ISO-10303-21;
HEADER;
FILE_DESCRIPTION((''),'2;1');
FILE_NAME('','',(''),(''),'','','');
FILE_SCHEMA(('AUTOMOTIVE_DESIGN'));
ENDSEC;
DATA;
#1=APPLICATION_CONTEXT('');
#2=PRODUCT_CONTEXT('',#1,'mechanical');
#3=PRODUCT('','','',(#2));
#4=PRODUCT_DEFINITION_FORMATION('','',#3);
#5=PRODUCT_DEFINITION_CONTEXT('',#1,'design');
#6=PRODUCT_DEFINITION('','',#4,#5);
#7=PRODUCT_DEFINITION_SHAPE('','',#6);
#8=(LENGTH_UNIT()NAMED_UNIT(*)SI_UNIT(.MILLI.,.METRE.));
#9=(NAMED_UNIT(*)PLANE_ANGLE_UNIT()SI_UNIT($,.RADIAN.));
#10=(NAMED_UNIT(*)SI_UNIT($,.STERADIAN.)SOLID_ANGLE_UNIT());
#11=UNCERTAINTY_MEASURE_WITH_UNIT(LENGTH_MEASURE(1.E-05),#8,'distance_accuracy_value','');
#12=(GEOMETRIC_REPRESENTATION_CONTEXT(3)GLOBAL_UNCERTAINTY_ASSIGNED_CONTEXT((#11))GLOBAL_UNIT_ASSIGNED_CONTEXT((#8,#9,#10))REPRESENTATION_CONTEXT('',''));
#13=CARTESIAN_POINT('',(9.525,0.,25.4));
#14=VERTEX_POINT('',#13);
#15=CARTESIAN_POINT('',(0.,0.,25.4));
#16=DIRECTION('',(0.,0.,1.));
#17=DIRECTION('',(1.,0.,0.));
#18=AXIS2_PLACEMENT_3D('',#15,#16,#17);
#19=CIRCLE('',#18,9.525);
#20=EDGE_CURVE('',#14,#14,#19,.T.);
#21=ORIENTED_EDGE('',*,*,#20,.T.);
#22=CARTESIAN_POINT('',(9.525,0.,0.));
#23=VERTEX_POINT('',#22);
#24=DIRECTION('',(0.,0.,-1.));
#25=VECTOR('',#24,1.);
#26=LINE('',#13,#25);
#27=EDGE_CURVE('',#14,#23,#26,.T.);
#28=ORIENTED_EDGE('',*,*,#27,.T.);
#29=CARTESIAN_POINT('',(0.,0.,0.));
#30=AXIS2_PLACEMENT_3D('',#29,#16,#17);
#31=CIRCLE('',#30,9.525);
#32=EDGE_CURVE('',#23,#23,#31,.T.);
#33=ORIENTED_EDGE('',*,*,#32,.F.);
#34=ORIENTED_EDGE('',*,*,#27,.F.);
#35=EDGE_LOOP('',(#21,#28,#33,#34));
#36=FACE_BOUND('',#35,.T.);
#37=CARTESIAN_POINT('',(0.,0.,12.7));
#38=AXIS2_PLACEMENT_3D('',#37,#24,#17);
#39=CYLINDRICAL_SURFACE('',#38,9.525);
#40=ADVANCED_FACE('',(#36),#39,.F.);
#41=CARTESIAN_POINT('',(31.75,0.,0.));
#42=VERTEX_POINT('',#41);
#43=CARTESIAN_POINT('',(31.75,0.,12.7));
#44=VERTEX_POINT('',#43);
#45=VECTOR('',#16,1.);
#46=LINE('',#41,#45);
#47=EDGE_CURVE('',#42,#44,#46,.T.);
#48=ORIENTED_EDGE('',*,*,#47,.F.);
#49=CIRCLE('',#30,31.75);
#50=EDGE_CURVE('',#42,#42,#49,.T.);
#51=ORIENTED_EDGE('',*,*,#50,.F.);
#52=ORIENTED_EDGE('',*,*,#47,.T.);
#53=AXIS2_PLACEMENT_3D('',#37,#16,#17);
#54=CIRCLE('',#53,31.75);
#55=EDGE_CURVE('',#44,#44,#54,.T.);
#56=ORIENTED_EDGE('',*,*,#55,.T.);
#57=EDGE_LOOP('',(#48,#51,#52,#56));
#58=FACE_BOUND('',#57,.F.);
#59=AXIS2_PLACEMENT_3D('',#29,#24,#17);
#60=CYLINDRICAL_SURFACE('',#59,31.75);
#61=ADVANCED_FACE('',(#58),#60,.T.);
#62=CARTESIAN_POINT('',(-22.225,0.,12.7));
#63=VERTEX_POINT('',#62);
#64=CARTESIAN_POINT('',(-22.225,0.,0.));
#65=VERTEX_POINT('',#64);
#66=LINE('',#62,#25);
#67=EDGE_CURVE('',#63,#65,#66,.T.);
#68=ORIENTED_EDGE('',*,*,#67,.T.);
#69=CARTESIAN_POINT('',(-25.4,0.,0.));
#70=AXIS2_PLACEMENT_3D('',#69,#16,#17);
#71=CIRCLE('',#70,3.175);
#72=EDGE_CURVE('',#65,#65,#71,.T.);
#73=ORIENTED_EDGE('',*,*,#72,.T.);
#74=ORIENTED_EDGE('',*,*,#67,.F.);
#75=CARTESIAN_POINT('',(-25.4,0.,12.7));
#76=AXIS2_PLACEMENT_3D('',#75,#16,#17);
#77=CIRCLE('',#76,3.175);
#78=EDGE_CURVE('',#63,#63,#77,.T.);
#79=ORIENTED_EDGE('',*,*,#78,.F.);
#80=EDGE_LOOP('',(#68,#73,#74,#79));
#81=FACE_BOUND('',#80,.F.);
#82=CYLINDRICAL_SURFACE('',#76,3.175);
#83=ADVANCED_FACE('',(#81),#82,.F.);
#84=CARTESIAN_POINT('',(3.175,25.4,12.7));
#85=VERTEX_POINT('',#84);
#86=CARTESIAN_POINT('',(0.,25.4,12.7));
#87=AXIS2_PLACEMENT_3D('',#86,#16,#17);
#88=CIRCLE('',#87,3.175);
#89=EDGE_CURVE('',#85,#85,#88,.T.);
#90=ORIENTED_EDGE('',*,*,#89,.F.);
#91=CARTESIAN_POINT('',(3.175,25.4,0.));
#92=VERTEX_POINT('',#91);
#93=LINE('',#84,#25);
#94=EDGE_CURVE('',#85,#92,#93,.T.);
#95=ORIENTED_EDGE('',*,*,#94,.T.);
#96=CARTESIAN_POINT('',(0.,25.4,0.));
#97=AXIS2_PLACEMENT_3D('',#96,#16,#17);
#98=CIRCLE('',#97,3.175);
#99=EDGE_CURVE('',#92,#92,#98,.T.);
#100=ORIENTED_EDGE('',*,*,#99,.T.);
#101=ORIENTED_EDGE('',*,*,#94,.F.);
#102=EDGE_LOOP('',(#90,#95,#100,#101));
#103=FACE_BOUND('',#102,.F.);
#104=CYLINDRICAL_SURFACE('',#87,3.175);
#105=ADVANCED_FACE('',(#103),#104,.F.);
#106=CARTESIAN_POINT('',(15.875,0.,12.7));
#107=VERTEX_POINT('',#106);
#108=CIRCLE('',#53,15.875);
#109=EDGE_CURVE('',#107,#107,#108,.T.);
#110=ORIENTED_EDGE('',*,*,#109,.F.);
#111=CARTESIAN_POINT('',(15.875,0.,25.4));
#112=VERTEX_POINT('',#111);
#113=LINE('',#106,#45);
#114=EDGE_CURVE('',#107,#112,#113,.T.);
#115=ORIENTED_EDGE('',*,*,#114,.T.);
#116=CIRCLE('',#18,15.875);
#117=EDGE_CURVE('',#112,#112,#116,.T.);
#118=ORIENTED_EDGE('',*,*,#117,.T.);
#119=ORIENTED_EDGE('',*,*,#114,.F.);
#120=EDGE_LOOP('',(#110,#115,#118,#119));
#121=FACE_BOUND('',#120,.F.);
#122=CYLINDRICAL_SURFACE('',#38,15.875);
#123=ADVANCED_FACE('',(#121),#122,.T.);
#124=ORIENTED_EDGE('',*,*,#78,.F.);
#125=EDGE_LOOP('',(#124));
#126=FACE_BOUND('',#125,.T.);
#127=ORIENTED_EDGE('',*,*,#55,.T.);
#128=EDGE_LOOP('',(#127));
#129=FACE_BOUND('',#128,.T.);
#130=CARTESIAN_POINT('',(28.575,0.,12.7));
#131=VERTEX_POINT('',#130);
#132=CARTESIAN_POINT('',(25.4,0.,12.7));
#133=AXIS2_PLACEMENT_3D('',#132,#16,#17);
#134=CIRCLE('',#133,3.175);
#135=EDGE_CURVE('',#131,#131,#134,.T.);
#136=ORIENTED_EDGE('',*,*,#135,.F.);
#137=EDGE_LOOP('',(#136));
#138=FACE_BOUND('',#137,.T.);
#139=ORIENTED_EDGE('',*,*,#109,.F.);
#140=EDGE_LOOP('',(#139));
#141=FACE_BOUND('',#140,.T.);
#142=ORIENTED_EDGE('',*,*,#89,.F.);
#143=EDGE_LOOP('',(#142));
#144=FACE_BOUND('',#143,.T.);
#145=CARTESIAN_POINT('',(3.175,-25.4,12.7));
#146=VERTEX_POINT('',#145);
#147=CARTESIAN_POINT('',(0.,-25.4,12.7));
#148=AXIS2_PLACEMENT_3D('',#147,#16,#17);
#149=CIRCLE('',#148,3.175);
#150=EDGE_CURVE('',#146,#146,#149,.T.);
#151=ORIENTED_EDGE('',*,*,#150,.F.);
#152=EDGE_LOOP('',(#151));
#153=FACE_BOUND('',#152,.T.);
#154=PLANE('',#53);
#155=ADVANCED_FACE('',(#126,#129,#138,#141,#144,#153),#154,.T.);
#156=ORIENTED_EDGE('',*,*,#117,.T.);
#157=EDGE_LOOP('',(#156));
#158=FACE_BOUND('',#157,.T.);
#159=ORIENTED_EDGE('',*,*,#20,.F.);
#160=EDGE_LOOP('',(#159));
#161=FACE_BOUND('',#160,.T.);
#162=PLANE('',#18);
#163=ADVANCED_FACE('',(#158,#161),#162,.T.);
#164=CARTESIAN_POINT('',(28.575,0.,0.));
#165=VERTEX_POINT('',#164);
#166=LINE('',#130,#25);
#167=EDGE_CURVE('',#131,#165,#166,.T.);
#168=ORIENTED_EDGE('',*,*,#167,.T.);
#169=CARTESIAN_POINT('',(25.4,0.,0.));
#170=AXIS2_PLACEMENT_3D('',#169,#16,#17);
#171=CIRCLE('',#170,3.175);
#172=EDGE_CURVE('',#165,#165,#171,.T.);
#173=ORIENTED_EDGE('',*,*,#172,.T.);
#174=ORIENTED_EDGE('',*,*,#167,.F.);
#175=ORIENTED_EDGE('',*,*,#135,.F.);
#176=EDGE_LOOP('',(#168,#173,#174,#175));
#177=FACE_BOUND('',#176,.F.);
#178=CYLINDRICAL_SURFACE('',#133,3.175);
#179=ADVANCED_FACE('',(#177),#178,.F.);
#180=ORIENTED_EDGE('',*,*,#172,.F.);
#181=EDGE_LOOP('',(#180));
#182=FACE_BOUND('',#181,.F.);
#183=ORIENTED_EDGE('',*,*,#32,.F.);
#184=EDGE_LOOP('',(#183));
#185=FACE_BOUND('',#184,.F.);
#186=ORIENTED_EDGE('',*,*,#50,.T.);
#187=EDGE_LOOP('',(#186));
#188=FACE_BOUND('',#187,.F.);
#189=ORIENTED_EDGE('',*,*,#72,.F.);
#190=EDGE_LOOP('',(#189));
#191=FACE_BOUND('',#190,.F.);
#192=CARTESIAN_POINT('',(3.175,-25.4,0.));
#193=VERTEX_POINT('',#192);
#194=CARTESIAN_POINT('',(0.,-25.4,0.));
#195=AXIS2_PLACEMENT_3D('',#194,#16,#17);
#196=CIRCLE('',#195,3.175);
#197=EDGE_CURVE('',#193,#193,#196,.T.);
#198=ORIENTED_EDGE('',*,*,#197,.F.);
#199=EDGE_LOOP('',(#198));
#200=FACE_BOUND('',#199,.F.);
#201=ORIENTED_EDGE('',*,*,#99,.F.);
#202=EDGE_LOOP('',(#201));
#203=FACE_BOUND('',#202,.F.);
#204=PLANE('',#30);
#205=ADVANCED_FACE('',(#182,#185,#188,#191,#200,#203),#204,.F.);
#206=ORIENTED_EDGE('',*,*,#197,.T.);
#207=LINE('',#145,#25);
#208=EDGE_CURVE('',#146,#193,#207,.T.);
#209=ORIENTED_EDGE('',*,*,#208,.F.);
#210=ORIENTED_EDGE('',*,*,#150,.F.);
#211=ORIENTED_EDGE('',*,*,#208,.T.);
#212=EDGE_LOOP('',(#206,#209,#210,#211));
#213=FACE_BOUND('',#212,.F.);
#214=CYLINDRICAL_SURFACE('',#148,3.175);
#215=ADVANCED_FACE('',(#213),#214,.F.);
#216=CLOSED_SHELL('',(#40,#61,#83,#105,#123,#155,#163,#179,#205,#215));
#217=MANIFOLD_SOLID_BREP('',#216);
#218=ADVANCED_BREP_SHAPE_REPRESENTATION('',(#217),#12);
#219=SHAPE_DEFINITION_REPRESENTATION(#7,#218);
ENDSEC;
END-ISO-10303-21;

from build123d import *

# Parameters (mm, degrees)
F0_R     = 31.75
F0_R_2   = 9.525
F1_DEPTH = 12.7
F2_R     = 15.875
F2_R_2   = 9.525
F3_DEPTH = 12.7
F4_R     = 3.175
F5_DEPTH = 12.7


with BuildPart() as f1:
    # F0 (on Top) → F1 (new body)
    with BuildSketch(Plane.XY):
        Circle(F0_R)
        Circle(F0_R_2, mode=Mode.SUBTRACT)
    extrude(amount=F1_DEPTH)

    # F2 (on face) → F3 (join)
    with BuildSketch(Plane.XY.offset(12.7)):
        Circle(F2_R)
        Circle(F2_R_2, mode=Mode.SUBTRACT)
    extrude(amount=F3_DEPTH)

    # F4 (on face) → F5 (cut, through all)
    with BuildSketch(Plane.XY.offset(12.7)):
        with Locations((-25.4, 0)):
            Circle(F4_R)
        with Locations((0, -25.4)):
            Circle(F4_R)
        with Locations((25.4, 0)):
            Circle(F4_R)
        with Locations((0, 25.4)):
            Circle(F4_R)
    extrude(amount=-F5_DEPTH, mode=Mode.SUBTRACT)


solid = f1.part
